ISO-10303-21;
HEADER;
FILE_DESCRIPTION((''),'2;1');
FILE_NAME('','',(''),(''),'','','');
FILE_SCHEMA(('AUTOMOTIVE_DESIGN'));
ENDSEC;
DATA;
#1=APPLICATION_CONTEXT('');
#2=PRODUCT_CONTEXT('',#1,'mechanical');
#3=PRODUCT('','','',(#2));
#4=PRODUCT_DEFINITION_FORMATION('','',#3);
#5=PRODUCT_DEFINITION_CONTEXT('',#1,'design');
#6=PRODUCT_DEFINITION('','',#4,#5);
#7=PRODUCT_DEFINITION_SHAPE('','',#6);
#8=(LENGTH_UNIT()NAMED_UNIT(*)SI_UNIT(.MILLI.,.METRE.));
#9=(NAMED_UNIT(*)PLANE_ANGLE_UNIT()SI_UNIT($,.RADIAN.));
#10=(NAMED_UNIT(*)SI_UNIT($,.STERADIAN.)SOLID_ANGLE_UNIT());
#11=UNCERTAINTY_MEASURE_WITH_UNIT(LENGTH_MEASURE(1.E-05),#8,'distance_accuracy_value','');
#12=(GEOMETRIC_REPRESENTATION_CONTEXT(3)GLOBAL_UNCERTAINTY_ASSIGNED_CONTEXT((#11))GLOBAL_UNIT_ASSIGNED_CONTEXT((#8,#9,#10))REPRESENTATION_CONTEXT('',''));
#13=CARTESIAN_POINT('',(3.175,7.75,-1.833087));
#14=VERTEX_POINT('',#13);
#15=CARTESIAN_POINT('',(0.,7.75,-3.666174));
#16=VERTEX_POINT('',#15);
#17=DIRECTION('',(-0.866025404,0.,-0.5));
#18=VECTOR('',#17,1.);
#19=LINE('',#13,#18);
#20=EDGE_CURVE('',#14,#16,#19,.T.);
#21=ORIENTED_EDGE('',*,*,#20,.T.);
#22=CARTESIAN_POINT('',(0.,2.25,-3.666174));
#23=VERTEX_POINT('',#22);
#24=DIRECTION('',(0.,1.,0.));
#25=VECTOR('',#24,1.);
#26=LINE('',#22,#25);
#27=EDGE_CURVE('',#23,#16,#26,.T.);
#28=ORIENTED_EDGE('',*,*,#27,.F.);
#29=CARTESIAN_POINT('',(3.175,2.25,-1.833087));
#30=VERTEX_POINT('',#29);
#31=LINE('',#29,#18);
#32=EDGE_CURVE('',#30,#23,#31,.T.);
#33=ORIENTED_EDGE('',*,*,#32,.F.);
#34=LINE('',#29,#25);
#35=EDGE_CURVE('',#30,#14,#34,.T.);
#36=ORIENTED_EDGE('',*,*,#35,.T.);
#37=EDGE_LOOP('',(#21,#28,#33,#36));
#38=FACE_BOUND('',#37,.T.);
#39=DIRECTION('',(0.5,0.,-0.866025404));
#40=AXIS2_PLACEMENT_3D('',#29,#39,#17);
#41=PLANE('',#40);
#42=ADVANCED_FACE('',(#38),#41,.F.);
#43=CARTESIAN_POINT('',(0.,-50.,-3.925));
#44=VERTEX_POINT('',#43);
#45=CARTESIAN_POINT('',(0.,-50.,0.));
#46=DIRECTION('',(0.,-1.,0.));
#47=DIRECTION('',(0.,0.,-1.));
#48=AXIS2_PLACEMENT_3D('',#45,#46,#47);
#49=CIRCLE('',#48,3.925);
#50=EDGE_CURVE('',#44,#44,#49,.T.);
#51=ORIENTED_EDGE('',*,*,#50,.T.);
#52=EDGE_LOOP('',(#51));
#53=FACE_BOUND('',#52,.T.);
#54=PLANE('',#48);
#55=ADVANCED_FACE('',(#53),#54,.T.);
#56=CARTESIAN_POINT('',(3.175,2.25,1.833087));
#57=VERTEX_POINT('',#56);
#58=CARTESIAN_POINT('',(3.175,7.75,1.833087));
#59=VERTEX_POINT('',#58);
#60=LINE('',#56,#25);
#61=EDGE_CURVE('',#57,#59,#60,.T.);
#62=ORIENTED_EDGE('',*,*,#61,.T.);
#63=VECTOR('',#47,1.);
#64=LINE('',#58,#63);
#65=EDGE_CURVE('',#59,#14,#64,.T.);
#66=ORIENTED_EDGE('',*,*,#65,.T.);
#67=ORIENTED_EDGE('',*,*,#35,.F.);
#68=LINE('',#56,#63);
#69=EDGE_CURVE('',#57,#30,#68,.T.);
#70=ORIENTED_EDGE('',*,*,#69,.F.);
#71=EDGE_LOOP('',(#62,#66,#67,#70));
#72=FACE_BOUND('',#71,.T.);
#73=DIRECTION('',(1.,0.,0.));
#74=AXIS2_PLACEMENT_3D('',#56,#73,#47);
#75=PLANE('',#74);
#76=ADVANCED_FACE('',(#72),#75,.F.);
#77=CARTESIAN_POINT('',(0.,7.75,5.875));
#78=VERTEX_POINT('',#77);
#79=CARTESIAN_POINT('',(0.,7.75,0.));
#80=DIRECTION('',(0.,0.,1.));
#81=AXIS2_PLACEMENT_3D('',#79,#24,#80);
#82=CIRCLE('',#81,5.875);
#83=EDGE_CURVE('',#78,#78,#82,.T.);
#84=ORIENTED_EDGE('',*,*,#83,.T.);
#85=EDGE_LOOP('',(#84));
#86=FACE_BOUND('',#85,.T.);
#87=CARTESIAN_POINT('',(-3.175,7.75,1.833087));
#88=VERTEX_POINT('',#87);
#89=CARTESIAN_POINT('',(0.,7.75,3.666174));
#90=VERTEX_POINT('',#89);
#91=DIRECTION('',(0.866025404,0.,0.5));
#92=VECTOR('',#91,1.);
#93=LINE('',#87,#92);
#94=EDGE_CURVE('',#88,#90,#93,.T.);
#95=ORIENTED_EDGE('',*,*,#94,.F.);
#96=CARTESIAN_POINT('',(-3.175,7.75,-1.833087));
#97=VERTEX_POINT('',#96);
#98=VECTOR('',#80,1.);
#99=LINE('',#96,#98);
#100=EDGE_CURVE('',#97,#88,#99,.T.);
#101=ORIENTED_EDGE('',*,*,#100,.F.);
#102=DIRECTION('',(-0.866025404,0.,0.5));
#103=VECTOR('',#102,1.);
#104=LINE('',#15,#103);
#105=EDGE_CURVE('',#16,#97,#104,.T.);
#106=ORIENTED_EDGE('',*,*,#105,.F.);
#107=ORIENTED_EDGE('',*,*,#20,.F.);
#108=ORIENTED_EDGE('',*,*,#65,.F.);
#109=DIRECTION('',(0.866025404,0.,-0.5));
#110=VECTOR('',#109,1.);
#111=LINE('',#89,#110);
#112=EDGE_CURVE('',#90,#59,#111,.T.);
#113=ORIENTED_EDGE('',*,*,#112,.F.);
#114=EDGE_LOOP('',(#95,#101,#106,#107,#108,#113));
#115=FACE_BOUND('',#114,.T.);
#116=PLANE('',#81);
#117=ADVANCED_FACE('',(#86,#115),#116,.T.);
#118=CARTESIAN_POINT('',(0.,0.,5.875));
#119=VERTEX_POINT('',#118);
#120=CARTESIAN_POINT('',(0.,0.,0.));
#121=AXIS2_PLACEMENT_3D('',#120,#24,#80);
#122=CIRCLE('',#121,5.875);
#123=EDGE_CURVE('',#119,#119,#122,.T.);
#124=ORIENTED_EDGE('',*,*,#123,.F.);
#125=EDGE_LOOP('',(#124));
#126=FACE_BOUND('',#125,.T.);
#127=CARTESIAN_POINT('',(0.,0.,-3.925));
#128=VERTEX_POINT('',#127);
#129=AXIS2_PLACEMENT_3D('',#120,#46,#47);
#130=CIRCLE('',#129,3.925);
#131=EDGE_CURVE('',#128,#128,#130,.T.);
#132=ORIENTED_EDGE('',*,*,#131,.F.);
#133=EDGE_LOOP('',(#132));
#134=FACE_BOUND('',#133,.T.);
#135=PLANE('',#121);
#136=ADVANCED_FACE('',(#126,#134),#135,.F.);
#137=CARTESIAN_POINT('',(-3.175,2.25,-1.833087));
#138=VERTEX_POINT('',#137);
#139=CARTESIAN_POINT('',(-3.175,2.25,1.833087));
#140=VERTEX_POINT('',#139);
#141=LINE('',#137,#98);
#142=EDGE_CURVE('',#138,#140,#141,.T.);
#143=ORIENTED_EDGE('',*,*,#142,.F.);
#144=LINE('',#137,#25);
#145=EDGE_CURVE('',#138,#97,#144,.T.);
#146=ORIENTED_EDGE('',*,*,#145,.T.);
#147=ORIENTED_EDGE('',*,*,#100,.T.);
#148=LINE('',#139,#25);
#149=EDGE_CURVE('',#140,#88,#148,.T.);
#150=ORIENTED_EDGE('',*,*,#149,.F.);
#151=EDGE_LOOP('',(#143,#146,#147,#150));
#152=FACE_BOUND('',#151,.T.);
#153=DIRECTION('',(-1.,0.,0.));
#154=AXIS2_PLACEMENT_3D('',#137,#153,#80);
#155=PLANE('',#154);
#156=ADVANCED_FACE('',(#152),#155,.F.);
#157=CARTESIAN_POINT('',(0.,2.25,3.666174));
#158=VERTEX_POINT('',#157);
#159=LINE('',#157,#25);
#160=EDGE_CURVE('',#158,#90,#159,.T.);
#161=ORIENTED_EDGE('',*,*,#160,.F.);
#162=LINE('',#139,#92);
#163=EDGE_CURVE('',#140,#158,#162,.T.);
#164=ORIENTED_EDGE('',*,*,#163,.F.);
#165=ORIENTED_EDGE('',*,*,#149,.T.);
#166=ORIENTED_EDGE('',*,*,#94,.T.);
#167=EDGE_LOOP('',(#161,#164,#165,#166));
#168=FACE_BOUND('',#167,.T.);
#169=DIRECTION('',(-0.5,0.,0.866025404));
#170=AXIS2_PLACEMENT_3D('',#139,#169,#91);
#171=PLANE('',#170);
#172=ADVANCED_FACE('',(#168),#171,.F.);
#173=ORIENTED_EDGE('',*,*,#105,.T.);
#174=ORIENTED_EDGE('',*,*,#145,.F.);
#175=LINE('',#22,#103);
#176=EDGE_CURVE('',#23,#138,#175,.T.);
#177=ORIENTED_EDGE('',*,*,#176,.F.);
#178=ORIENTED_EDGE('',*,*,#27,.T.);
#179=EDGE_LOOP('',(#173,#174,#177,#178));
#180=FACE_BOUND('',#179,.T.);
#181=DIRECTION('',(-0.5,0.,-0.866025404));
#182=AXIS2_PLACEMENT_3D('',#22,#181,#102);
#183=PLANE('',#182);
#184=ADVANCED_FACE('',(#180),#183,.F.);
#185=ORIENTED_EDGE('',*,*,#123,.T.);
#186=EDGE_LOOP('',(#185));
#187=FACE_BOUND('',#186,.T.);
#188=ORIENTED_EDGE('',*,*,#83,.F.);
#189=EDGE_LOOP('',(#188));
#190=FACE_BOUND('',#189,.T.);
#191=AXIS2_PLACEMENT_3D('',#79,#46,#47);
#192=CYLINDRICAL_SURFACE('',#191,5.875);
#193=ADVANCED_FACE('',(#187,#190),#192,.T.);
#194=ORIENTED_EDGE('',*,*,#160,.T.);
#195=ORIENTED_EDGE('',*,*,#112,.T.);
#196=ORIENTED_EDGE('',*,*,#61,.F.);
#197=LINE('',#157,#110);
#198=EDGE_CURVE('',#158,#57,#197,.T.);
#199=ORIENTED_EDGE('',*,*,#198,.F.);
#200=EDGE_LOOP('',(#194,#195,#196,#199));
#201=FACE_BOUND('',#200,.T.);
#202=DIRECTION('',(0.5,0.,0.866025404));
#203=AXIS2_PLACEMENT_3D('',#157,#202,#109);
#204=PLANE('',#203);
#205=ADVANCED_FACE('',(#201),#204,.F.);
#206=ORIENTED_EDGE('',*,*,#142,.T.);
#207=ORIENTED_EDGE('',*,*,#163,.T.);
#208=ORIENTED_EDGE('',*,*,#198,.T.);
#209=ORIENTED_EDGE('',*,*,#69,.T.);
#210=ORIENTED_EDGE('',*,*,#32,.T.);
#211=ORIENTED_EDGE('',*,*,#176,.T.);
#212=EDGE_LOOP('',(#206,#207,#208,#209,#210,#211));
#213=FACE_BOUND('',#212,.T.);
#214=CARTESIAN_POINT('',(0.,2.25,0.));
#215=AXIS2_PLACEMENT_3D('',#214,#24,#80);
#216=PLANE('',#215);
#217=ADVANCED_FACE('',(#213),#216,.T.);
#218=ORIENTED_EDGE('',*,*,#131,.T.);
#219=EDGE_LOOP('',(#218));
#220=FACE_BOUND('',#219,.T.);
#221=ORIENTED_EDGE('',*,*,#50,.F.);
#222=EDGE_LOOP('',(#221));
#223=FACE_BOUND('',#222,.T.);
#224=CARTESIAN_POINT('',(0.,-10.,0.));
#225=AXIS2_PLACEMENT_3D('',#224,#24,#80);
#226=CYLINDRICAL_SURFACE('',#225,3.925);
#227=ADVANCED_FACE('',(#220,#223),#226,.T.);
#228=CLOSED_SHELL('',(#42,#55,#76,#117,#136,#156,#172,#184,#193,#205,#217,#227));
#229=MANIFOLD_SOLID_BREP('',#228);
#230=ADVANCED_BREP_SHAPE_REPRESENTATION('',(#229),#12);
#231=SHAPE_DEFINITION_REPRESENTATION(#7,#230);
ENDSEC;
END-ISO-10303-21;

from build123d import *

# Parameters (mm, degrees)
SKETCH1_R           = 5.875
BOSS_EXTRUDE1_DEPTH = 7.75
CUT_EXTRUDE1_DEPTH  = 5.5
SKETCH3_R           = 3.925
BOSS_EXTRUDE2_DEPTH = 10
SKETCH4_R           = 3.925
BOSS_EXTRUDE3_DEPTH = 40


with BuildPart() as part:
    # Sketch1 → Boss-Extrude1 (new body)
    with BuildSketch(Plane(origin=(0, 0, 0), x_dir=(1, 0, 0), z_dir=(0, 1, 0))):
        Circle(SKETCH1_R)
    extrude(amount=BOSS_EXTRUDE1_DEPTH)

    # Sketch2 → Cut-Extrude1 (cut)
    with BuildSketch(Plane(origin=(0, 7.75, 0), x_dir=(1, 0, 0), z_dir=(0, 1, 0))):
        Polygon((0, 3.666174209), (-3.175, 1.833087105), (-3.175, -1.833087105), (0, -3.666174209), (3.175, -1.833087105), (3.175, 1.833087105), align=None)
    extrude(amount=-CUT_EXTRUDE1_DEPTH, mode=Mode.SUBTRACT)

    # Sketch3 → Boss-Extrude2 (add)
    with BuildSketch(Plane.XZ):
        Circle(SKETCH3_R)
    extrude(amount=BOSS_EXTRUDE2_DEPTH)

    # Sketch4 → Boss-Extrude3 (add)
    with BuildSketch(Plane.XZ.offset(10)):
        Circle(SKETCH4_R)
    extrude(amount=BOSS_EXTRUDE3_DEPTH)


solid = part.part
